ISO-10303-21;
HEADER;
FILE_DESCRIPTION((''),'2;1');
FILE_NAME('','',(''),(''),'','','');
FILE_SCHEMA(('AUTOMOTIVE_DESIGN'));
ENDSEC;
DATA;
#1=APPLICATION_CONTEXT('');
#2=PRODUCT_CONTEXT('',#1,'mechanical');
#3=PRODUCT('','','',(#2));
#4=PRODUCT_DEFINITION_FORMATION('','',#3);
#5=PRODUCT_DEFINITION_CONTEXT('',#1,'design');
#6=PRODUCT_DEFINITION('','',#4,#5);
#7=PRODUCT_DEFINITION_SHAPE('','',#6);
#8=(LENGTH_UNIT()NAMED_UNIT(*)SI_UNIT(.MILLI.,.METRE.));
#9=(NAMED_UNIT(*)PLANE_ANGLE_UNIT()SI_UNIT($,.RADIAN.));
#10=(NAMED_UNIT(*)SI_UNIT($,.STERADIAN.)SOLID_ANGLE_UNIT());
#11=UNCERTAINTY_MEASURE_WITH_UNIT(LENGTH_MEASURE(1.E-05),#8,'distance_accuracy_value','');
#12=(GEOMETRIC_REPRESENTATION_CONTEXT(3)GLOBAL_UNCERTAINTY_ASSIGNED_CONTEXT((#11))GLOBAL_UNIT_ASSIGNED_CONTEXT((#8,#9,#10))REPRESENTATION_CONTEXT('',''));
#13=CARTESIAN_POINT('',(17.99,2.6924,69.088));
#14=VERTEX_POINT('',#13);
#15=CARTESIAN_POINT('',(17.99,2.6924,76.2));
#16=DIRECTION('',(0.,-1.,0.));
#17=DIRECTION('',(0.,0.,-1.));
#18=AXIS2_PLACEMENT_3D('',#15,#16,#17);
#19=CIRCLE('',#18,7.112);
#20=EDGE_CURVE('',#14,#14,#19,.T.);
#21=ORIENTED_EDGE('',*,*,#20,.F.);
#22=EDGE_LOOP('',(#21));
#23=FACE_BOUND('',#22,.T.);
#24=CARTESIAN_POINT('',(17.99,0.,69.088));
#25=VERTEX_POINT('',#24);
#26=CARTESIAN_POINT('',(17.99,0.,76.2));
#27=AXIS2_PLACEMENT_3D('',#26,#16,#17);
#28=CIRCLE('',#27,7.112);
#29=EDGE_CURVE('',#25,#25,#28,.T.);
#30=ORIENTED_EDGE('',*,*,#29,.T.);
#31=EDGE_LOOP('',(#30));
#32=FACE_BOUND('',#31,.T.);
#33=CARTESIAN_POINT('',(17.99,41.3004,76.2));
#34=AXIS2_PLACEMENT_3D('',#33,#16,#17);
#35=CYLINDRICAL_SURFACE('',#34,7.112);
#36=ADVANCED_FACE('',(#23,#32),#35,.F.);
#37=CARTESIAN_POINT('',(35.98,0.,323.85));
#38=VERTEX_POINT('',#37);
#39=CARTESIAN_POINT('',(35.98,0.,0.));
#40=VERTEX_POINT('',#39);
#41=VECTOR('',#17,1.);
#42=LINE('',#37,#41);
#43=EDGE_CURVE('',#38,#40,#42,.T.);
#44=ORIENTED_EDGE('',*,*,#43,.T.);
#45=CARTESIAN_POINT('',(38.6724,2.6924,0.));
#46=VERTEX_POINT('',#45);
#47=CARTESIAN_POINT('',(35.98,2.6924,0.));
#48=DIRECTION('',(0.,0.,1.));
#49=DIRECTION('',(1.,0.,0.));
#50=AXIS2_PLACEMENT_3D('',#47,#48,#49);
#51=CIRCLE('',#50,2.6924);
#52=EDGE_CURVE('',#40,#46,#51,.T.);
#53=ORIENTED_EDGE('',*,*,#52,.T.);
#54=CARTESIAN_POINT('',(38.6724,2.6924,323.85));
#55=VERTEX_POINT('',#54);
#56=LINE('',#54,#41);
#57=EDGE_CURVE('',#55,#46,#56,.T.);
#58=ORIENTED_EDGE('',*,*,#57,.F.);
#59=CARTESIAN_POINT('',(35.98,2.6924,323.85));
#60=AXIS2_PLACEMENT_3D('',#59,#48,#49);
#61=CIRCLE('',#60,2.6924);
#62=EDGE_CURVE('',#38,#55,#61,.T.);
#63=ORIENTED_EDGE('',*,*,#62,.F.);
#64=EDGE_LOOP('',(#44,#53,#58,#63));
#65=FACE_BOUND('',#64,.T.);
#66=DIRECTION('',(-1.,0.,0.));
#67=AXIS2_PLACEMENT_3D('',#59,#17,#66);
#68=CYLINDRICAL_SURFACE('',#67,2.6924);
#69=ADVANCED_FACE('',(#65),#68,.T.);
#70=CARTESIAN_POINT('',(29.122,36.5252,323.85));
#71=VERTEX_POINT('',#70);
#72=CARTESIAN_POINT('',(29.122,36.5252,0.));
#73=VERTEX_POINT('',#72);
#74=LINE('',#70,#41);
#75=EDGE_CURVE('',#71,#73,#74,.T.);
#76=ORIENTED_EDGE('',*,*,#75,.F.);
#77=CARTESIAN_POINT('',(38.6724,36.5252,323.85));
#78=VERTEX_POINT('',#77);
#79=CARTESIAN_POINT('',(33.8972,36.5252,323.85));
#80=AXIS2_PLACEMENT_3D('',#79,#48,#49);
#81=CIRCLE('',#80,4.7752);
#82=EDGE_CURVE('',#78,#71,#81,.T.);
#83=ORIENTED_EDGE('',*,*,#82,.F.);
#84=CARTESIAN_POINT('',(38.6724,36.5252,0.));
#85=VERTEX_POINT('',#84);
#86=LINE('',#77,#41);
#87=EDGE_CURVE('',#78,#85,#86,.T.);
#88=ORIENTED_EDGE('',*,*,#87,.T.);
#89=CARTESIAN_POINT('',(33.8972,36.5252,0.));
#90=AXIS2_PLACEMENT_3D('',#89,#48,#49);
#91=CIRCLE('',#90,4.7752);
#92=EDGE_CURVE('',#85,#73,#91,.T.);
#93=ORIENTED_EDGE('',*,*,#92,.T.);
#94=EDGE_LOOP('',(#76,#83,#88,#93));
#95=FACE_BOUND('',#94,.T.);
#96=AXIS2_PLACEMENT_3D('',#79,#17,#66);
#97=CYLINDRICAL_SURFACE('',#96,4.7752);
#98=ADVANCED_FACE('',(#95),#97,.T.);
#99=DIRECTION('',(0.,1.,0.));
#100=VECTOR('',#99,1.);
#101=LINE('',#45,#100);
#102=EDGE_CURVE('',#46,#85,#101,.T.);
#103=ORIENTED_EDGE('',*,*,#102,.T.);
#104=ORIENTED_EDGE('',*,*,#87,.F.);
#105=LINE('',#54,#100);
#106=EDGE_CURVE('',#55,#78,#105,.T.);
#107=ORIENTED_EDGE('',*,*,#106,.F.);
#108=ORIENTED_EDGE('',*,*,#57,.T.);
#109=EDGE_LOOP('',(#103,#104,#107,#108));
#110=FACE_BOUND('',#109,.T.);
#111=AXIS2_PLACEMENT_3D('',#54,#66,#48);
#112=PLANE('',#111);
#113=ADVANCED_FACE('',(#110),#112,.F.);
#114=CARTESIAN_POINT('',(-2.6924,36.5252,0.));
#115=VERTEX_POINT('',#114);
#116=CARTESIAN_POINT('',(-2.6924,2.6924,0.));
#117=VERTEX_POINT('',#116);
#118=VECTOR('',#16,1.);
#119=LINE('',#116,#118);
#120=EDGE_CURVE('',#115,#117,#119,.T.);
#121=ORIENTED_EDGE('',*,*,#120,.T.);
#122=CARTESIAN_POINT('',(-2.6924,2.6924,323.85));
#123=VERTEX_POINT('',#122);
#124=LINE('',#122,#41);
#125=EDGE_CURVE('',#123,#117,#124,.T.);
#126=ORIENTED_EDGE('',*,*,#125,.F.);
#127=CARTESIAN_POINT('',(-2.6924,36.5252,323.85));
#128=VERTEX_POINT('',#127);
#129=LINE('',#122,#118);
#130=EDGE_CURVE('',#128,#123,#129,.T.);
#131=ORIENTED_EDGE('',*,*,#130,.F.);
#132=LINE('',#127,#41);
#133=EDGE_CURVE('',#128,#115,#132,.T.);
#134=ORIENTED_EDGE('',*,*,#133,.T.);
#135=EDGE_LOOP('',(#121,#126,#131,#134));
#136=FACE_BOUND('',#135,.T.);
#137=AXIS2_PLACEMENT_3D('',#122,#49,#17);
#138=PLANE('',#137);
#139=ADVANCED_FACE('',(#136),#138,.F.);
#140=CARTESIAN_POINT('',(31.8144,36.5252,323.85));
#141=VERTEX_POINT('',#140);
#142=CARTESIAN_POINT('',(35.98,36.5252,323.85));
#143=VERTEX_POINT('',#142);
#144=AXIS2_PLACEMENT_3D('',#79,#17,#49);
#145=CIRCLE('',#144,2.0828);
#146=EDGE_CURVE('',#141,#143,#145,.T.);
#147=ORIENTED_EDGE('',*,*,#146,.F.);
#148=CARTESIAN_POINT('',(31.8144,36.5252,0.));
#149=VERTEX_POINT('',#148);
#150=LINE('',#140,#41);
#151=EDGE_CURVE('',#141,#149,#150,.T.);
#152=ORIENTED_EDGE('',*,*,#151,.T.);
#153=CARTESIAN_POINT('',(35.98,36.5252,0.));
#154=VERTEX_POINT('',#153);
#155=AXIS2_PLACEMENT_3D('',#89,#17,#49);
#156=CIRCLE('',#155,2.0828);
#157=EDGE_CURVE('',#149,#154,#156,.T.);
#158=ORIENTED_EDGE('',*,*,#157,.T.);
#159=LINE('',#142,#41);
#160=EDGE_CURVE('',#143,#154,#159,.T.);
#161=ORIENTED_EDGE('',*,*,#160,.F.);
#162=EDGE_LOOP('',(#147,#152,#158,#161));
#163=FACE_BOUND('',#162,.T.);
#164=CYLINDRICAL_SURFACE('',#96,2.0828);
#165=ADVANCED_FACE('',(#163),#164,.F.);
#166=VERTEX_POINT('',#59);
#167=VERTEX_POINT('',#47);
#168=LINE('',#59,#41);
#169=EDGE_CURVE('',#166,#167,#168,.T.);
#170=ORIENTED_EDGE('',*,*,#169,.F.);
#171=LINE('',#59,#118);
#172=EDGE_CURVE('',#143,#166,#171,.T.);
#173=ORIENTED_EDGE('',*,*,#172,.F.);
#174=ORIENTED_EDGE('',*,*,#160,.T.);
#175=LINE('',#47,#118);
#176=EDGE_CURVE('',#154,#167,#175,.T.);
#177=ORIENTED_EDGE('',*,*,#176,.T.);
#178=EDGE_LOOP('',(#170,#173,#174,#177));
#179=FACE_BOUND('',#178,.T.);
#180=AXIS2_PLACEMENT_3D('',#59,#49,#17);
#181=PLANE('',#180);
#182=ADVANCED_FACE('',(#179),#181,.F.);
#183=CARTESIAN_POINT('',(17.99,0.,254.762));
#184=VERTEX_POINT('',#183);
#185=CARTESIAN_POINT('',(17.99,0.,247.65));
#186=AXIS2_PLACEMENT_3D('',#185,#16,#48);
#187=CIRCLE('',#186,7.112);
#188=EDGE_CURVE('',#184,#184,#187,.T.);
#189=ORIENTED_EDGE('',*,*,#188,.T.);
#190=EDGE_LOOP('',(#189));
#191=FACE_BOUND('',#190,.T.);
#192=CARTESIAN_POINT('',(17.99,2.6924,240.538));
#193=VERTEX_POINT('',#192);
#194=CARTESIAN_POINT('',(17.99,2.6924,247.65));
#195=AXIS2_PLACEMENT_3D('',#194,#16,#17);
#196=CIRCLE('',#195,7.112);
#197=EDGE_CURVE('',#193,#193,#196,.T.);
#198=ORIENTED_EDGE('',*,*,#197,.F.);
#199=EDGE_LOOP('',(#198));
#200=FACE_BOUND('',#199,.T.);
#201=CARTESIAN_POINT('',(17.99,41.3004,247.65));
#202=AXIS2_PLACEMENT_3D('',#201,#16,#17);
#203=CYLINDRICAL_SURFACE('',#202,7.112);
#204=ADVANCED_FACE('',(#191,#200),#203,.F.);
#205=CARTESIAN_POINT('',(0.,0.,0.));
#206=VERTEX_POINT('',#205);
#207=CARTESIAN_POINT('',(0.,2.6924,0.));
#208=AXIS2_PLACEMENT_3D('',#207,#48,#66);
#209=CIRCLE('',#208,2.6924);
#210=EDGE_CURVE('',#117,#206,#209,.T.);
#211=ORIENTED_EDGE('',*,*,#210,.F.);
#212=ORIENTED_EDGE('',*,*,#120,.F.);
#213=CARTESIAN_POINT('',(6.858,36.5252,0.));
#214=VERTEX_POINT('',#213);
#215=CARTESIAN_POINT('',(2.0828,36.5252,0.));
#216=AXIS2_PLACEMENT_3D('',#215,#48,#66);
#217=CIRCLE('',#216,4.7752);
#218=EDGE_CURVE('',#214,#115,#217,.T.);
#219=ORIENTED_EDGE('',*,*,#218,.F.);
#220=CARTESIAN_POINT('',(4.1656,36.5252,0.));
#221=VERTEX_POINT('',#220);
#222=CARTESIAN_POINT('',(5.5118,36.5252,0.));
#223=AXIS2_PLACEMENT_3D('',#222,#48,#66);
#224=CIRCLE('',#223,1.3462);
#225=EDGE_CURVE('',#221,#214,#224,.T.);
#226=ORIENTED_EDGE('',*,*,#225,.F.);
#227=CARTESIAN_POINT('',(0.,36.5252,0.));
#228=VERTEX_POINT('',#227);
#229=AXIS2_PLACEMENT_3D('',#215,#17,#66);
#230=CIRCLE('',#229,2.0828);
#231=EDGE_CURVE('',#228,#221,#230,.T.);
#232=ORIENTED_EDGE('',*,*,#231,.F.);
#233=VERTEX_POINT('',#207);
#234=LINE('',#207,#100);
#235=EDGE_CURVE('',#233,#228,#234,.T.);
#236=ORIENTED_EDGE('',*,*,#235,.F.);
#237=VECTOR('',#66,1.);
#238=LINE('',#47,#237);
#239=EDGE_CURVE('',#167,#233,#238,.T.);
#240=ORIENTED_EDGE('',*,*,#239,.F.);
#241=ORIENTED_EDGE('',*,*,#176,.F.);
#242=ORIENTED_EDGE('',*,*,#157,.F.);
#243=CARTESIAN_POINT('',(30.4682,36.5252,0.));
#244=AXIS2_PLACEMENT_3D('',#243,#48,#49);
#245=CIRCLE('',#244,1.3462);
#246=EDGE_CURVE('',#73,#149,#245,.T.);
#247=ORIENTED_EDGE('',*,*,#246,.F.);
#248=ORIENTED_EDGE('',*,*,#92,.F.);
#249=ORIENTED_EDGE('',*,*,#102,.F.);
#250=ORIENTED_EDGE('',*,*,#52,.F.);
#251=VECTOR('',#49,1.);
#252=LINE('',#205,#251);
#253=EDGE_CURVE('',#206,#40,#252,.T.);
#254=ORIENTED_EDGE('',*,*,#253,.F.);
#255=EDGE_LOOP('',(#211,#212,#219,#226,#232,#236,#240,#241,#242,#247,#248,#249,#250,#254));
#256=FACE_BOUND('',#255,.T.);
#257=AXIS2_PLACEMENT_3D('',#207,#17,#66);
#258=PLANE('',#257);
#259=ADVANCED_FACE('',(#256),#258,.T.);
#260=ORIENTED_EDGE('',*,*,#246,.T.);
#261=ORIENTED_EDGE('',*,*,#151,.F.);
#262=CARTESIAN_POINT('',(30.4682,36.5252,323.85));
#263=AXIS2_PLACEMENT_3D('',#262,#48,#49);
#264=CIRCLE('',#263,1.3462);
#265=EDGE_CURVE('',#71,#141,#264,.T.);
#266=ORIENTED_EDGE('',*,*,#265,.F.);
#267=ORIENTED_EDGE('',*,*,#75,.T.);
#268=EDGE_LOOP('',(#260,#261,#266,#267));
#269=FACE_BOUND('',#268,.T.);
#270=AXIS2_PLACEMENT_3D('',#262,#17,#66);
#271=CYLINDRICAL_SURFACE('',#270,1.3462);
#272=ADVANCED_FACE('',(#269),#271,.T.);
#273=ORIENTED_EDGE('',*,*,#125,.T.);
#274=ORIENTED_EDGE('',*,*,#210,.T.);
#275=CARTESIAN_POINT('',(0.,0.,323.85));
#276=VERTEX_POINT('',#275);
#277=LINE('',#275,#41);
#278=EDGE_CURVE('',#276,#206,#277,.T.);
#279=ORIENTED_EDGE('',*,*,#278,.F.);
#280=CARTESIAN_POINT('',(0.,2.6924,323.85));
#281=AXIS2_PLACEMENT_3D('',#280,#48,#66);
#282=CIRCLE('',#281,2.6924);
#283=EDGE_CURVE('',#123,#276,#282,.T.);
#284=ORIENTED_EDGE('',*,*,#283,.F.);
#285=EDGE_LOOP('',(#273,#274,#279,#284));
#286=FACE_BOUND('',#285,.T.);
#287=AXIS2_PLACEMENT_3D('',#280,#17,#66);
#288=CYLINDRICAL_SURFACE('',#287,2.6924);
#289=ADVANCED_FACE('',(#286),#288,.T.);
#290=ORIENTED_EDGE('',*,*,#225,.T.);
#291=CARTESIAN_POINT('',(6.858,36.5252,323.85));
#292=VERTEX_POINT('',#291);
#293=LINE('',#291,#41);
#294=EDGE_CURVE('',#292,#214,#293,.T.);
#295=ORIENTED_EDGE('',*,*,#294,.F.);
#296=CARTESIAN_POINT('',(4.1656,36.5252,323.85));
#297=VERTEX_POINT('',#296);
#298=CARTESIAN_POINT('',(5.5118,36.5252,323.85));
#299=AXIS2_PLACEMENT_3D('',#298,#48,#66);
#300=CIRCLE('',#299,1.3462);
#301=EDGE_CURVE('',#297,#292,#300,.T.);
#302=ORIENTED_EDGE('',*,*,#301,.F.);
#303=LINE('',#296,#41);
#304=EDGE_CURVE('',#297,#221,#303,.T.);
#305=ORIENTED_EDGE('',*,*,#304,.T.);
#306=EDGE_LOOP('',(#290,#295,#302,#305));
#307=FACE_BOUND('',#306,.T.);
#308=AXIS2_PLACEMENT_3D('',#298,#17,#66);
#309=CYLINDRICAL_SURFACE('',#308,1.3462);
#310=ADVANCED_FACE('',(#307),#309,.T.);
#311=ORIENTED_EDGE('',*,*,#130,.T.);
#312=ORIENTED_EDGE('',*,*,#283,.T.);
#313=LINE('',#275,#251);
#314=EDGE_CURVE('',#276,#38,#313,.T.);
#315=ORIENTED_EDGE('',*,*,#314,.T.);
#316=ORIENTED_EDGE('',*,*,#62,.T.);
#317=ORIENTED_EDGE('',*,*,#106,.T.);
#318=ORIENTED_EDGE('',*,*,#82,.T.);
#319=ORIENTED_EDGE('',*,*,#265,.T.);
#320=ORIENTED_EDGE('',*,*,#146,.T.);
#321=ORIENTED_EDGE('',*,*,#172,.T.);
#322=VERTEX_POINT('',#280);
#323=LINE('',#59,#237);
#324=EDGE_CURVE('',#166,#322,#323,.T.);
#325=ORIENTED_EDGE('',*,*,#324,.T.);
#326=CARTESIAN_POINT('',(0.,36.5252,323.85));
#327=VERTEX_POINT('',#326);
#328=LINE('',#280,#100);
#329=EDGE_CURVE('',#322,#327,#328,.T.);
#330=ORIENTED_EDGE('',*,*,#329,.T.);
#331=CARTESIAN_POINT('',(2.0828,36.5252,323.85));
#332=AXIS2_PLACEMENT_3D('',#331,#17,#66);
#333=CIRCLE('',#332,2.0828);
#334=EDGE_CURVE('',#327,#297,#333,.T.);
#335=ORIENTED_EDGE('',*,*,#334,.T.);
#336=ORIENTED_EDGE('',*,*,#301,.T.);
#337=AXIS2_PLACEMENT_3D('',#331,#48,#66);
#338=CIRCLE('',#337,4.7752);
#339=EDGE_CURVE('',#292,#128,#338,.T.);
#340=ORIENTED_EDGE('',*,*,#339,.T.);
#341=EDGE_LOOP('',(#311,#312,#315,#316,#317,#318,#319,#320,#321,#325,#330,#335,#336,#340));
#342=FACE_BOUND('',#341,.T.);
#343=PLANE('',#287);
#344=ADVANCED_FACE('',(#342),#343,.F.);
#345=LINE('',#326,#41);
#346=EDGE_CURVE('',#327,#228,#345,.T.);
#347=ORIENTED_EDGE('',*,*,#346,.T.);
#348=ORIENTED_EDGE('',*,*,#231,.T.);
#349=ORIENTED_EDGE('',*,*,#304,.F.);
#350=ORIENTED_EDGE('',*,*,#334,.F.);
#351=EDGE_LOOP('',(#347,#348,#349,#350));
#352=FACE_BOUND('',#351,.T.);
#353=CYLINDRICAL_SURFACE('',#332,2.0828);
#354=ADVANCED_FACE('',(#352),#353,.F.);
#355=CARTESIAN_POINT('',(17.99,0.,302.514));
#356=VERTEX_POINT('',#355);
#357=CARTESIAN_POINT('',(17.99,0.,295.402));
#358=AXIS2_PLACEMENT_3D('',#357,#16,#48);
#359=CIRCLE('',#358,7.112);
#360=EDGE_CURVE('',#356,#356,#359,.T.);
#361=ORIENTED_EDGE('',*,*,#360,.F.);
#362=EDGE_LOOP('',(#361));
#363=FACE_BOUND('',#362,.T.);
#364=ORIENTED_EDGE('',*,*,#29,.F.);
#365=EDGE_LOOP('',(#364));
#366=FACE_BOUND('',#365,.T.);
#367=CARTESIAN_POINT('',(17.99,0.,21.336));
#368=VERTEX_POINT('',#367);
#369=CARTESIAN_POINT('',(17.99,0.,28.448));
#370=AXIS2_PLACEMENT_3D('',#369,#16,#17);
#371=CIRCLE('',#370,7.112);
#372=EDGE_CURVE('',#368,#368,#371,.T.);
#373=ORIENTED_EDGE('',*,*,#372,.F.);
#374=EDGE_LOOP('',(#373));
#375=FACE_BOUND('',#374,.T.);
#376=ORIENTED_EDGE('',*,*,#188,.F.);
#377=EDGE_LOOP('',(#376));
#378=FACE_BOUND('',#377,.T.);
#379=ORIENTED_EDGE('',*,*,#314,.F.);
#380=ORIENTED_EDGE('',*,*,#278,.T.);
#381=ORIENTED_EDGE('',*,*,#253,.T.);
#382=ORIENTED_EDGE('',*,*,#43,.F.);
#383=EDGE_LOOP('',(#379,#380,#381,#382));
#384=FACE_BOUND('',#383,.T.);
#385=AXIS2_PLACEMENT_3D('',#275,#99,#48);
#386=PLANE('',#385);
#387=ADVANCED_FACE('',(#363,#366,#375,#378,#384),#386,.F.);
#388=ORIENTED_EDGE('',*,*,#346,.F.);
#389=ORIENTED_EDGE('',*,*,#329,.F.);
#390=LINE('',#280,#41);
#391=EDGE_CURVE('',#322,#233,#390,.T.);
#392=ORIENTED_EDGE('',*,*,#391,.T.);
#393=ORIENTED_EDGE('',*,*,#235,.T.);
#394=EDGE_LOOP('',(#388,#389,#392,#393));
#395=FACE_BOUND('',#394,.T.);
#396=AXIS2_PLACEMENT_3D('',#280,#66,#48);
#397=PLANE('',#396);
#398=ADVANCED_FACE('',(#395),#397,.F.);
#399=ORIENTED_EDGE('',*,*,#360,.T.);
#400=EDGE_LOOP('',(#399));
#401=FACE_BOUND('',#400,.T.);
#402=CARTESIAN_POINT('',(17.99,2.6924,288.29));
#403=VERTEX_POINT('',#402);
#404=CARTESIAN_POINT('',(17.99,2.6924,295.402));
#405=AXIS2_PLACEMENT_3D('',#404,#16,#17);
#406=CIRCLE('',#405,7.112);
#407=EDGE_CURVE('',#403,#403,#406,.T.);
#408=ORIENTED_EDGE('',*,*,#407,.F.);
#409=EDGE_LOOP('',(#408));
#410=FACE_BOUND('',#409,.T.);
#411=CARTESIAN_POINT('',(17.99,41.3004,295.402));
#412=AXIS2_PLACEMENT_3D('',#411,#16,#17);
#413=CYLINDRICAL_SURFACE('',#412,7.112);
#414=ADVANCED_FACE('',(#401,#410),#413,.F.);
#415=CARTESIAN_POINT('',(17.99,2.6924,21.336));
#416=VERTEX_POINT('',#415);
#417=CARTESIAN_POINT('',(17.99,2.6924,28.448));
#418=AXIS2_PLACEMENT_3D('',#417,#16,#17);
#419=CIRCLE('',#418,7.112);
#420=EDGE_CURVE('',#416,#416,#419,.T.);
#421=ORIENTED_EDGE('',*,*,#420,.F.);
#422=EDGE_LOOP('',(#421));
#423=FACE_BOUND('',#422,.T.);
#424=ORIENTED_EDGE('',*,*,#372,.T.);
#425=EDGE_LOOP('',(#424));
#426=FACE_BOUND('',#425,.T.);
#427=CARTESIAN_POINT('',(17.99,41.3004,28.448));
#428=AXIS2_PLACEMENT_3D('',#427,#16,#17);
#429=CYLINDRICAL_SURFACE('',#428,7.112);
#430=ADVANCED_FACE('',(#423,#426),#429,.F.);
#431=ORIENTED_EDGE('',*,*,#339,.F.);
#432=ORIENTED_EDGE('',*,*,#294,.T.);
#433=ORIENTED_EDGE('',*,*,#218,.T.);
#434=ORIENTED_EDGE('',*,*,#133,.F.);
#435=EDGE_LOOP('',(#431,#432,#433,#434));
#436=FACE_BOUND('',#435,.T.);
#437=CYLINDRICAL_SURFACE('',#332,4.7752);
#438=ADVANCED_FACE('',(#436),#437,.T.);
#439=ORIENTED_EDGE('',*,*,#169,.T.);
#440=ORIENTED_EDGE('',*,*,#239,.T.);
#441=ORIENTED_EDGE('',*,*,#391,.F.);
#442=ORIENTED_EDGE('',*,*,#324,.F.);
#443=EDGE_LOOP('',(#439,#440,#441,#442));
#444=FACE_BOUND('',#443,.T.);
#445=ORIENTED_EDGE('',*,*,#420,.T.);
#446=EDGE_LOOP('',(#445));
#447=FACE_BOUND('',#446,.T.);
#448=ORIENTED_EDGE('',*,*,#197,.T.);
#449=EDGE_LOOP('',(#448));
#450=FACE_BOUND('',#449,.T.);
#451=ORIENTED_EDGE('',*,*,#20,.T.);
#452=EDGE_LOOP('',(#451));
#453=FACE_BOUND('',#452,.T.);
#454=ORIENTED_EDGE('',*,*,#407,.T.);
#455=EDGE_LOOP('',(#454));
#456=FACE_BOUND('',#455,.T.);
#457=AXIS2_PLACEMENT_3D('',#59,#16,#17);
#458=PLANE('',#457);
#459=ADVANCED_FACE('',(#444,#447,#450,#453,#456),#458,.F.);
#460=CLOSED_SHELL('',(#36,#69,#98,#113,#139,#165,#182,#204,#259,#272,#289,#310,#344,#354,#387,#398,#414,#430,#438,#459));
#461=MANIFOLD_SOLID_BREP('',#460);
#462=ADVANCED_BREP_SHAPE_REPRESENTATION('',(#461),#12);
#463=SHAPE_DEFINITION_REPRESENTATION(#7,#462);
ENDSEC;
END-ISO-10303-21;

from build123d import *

# Parameters (mm, degrees)
EXTRUDE_1_DEPTH     = 323.85
SKETCH_2_R          = 7.112
CUT_EXTRUDE_1_DEPTH = 329.755380278


with BuildPart() as part:
    # 草图1 → 凸台-拉伸1 (new body)
    with BuildSketch(Plane.XY):
        with BuildLine():
            Line((0, 0), (35.98, 0))
            ThreePointArc((35.98, 0), (37.883814298, 0.788585702), (38.6724, 2.6924))
            Line((38.6724, 2.6924), (38.6724, 36.5252))
            ThreePointArc((38.6724, 36.5252), (33.8972, 41.3004), (29.122, 36.5252))
            ThreePointArc((29.122, 36.5252), (30.4682, 35.179), (31.8144, 36.5252))
            ThreePointArc((31.8144, 36.5252), (33.8972, 38.608), (35.98, 36.5252))
            Line((35.98, 36.5252), (35.98, 2.6924))
            Line((35.98, 2.6924), (0, 2.6924))
            Line((0, 2.6924), (0, 36.5252))
            ThreePointArc((0, 36.5252), (2.0828, 38.608), (4.1656, 36.5252))
            ThreePointArc((4.1656, 36.5252), (5.5118, 35.179), (6.858, 36.5252))
            ThreePointArc((6.858, 36.5252), (2.0828, 41.3004), (-2.6924, 36.5252))
            Line((-2.6924, 36.5252), (-2.6924, 2.6924))
            ThreePointArc((-2.6924, 2.6924), (-1.903814298, 0.788585702), (0, 0))
        make_face()
    extrude(amount=EXTRUDE_1_DEPTH)

    # 草图2 → 切除-拉伸1 (cut, through all)
    with BuildSketch(Plane(origin=(0, 0, 0), x_dir=(-1, 0, 0), z_dir=(0, -1, 0))):
        with Locations(Location((-17.99, -28.448, 0), (0, 0, 90))):
            Circle(SKETCH_2_R)
        with Locations(Location((-17.99, -76.2, 0), (0, 0, 90))):
            Circle(SKETCH_2_R)
        with Locations(Location((-17.99, -295.402, 0), (0, 0, 90))):
            Circle(SKETCH_2_R)
        with Locations(Location((-17.99, -247.65, 0), (0, 0, 90))):
            Circle(SKETCH_2_R)
    extrude(amount=-CUT_EXTRUDE_1_DEPTH, mode=Mode.SUBTRACT)


solid = part.part
